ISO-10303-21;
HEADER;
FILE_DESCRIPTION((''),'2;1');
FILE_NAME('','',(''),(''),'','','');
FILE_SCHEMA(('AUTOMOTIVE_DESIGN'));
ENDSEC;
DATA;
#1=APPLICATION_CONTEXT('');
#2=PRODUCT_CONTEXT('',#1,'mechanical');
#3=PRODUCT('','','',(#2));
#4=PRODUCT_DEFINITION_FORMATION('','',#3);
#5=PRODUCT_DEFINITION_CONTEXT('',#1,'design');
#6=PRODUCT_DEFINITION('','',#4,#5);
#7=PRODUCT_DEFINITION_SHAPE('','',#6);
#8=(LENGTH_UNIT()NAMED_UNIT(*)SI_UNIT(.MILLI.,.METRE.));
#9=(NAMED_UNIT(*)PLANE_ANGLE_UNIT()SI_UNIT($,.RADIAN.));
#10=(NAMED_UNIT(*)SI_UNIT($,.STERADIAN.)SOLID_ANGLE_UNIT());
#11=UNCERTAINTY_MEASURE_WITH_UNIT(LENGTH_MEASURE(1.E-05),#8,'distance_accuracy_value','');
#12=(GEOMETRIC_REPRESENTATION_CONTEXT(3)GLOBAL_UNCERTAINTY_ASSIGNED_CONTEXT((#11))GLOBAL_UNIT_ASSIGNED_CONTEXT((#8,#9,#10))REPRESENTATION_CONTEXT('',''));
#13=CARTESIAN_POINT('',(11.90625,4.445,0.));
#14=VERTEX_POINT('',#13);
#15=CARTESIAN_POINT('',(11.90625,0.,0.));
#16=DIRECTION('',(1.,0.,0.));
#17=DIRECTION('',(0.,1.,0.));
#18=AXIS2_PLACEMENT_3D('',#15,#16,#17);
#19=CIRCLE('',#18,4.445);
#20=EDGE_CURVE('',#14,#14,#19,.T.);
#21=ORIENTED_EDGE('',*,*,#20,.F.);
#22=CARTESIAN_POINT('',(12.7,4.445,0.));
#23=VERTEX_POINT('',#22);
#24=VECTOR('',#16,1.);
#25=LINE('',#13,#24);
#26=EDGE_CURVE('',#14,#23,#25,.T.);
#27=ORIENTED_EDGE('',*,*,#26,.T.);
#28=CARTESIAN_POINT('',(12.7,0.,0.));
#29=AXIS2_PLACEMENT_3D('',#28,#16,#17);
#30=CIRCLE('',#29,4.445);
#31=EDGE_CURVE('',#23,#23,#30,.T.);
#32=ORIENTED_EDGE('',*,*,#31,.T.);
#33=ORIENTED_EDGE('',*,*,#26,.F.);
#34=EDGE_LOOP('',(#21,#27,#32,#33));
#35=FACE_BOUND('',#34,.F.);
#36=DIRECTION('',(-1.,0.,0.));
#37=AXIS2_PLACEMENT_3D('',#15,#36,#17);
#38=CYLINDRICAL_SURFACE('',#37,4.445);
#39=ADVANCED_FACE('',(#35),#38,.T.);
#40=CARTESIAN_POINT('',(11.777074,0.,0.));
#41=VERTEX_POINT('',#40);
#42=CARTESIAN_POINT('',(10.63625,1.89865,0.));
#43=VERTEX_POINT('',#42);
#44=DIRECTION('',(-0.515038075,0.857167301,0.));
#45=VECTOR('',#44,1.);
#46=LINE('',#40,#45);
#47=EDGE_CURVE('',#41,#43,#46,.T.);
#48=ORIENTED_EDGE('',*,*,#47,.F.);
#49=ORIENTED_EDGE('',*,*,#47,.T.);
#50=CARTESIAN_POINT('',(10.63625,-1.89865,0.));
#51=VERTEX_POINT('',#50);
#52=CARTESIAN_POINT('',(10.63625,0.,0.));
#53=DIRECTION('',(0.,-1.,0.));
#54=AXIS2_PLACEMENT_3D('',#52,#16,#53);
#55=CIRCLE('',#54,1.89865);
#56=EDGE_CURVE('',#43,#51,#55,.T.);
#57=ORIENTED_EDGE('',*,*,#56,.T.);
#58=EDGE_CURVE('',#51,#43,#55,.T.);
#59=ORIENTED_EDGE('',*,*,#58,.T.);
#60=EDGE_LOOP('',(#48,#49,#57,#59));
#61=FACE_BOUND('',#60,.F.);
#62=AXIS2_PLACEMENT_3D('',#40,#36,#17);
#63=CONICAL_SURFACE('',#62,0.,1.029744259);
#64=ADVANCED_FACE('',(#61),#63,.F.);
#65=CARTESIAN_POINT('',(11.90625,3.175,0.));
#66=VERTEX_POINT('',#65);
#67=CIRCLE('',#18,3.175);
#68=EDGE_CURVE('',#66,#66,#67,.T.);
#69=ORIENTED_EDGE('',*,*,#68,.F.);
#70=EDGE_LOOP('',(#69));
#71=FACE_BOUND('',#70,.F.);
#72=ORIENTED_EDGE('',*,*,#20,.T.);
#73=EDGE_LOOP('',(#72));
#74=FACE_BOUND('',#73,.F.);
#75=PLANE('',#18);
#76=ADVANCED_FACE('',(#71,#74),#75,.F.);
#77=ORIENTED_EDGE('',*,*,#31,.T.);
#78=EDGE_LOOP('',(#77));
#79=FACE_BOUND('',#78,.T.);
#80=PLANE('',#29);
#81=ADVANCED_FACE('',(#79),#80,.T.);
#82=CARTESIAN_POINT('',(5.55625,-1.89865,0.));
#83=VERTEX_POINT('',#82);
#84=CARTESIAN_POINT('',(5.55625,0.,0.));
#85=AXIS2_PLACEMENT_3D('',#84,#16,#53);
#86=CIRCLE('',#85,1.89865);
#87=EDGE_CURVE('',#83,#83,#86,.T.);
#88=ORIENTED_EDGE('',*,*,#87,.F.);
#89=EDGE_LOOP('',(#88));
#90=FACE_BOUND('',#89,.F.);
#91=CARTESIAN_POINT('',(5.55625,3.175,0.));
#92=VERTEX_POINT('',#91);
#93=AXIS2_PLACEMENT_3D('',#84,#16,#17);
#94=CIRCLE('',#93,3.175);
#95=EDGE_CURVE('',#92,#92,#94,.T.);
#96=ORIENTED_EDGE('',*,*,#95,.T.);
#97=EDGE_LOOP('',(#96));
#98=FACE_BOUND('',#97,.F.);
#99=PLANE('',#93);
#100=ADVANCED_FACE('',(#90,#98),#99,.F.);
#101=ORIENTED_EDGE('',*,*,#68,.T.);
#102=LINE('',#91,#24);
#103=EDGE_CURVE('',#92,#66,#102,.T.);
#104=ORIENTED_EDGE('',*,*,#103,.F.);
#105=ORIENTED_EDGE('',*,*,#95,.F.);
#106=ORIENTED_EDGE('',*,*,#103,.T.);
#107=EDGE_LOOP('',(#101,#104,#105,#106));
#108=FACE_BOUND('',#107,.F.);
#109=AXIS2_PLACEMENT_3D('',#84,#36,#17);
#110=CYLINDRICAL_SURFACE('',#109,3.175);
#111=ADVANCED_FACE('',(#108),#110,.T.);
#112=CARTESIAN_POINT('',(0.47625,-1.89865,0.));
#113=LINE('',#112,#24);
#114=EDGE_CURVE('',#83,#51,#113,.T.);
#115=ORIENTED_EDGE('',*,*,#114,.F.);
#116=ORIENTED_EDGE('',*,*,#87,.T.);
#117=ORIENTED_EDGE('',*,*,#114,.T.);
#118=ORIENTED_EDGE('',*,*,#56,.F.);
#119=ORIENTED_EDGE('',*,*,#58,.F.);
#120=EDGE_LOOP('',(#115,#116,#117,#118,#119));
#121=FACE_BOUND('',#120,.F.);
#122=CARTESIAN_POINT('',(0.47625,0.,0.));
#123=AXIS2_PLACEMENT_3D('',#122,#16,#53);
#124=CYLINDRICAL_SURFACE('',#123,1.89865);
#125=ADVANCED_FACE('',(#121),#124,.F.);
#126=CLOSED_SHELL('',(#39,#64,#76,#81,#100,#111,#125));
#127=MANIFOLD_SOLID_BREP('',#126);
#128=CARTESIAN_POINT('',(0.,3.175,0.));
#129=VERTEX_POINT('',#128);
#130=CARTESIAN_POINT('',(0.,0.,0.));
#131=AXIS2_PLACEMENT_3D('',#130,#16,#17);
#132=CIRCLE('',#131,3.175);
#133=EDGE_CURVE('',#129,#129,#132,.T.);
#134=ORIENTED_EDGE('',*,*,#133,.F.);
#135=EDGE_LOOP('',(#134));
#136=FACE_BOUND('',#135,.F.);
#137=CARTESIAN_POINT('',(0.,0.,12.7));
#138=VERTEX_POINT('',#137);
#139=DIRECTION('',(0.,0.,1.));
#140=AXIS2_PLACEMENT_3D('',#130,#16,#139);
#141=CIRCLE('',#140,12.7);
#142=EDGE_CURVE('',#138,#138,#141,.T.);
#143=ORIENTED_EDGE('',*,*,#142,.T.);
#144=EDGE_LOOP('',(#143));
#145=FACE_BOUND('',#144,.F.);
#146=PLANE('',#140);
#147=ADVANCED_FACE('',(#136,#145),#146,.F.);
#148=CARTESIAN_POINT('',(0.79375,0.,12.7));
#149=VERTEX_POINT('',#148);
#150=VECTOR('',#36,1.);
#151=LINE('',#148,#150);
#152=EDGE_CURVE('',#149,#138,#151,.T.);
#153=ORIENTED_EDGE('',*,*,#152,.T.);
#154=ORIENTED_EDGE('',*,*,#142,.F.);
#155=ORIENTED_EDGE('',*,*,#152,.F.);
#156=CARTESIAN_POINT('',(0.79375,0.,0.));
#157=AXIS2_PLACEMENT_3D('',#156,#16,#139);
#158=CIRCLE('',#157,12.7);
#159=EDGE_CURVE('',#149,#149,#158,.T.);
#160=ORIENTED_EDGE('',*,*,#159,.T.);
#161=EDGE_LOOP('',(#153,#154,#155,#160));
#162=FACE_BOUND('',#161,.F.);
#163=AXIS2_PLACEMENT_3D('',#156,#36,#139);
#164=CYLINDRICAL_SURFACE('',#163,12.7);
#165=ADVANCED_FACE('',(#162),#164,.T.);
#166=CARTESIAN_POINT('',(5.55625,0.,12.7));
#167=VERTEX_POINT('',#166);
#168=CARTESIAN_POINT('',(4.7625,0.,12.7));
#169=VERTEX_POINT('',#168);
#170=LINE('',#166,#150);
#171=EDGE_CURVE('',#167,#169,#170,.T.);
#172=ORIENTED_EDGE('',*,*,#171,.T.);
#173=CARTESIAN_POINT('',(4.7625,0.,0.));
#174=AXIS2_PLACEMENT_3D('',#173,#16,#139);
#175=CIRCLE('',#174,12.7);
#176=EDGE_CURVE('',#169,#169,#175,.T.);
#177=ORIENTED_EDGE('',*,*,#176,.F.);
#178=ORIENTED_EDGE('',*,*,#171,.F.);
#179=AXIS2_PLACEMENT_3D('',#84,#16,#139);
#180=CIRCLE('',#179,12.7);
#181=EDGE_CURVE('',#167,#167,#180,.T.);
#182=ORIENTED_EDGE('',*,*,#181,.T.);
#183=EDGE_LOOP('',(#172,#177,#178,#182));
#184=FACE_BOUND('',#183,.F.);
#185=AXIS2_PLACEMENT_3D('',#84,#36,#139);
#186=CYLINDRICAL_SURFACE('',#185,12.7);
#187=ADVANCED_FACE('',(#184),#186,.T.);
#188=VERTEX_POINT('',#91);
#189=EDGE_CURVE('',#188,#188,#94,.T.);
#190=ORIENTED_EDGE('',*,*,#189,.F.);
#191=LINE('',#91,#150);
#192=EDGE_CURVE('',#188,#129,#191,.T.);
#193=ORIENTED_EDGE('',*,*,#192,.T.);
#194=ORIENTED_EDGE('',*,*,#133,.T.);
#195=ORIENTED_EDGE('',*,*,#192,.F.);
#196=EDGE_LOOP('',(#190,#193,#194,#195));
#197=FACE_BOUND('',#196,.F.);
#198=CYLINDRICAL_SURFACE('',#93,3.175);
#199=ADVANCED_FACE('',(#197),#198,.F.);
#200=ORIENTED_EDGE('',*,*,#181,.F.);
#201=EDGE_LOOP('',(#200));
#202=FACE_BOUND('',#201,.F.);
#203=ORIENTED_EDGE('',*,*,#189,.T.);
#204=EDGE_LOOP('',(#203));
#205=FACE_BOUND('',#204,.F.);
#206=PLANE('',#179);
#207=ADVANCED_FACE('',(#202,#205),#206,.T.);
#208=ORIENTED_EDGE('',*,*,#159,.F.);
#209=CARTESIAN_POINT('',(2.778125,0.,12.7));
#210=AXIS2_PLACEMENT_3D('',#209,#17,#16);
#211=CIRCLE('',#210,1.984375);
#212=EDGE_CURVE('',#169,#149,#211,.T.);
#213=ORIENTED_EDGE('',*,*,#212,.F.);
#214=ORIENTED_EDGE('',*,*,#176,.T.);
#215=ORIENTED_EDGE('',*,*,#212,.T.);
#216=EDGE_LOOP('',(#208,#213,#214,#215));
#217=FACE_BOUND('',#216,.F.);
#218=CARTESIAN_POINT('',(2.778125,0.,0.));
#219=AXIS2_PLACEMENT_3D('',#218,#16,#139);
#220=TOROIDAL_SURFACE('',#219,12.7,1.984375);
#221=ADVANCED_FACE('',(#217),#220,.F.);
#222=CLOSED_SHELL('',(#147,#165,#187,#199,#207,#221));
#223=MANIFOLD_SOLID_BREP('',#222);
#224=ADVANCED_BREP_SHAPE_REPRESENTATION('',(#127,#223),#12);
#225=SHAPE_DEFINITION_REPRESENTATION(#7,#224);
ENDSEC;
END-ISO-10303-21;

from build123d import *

# Parameters (mm, degrees)
F2_R     = 3.175
F3_DEPTH = 5.55625
F4_DEPTH = 6.35
F5_R     = 4.445
F5_R_2   = 3.175
F6_DEPTH = 0.79375
F7_D     = 3.7973
F7_DEPTH = 5.08
F7_TIP   = 1.1408240143


with BuildPart() as f1:
    # F0 (on Front) → F1 (revolve)
    with BuildSketch(Plane.XZ):
        with BuildLine():
            Line((0, 12.7), (0, 0))
            Line((0, 0), (5.55625, 0))
            Line((5.55625, 0), (5.55625, 12.7))
            Line((5.55625, 12.7), (4.7625, 12.7))
            ThreePointArc((4.7625, 12.7), (2.778125, 10.715625), (0.79375, 12.7))
            Line((0.79375, 12.7), (0, 12.7))
        make_face()
    revolve(axis=Axis((2.778125, 0, 0), (1, 0, 0)))

    # F2 (on face) → F3 (cut, through all)
    with BuildSketch(Plane.YZ.offset(5.55625)):
        Circle(F2_R)
    extrude(amount=-F3_DEPTH, mode=Mode.SUBTRACT)


with BuildPart() as f4:
    # F2 (on face) → F4 (new body)
    with BuildSketch(Plane.YZ.offset(5.55625)):
        Circle(F2_R)
    extrude(amount=F4_DEPTH)

    # F5 (on face) → F6 (join)
    with BuildSketch(Plane.YZ.offset(11.90625)):
        Circle(F5_R)
        Circle(F5_R_2, mode=Mode.SUBTRACT)
        Circle(F5_R_2)
    extrude(amount=F6_DEPTH)

    # F7
    with Locations(Plane(origin=(5.55625, 0, 0), x_dir=(0, 1, 0), z_dir=(-1, 0, 0))):
        with Locations((0, 0)):
            Hole(F7_D / 2, depth=F7_DEPTH)
            with Locations((0, 0, -(F7_DEPTH + F7_TIP / 2))):  # 118° drill point
                Cone(0, F7_D / 2, F7_TIP, mode=Mode.SUBTRACT)


solid = Compound([f1.part, f4.part])
